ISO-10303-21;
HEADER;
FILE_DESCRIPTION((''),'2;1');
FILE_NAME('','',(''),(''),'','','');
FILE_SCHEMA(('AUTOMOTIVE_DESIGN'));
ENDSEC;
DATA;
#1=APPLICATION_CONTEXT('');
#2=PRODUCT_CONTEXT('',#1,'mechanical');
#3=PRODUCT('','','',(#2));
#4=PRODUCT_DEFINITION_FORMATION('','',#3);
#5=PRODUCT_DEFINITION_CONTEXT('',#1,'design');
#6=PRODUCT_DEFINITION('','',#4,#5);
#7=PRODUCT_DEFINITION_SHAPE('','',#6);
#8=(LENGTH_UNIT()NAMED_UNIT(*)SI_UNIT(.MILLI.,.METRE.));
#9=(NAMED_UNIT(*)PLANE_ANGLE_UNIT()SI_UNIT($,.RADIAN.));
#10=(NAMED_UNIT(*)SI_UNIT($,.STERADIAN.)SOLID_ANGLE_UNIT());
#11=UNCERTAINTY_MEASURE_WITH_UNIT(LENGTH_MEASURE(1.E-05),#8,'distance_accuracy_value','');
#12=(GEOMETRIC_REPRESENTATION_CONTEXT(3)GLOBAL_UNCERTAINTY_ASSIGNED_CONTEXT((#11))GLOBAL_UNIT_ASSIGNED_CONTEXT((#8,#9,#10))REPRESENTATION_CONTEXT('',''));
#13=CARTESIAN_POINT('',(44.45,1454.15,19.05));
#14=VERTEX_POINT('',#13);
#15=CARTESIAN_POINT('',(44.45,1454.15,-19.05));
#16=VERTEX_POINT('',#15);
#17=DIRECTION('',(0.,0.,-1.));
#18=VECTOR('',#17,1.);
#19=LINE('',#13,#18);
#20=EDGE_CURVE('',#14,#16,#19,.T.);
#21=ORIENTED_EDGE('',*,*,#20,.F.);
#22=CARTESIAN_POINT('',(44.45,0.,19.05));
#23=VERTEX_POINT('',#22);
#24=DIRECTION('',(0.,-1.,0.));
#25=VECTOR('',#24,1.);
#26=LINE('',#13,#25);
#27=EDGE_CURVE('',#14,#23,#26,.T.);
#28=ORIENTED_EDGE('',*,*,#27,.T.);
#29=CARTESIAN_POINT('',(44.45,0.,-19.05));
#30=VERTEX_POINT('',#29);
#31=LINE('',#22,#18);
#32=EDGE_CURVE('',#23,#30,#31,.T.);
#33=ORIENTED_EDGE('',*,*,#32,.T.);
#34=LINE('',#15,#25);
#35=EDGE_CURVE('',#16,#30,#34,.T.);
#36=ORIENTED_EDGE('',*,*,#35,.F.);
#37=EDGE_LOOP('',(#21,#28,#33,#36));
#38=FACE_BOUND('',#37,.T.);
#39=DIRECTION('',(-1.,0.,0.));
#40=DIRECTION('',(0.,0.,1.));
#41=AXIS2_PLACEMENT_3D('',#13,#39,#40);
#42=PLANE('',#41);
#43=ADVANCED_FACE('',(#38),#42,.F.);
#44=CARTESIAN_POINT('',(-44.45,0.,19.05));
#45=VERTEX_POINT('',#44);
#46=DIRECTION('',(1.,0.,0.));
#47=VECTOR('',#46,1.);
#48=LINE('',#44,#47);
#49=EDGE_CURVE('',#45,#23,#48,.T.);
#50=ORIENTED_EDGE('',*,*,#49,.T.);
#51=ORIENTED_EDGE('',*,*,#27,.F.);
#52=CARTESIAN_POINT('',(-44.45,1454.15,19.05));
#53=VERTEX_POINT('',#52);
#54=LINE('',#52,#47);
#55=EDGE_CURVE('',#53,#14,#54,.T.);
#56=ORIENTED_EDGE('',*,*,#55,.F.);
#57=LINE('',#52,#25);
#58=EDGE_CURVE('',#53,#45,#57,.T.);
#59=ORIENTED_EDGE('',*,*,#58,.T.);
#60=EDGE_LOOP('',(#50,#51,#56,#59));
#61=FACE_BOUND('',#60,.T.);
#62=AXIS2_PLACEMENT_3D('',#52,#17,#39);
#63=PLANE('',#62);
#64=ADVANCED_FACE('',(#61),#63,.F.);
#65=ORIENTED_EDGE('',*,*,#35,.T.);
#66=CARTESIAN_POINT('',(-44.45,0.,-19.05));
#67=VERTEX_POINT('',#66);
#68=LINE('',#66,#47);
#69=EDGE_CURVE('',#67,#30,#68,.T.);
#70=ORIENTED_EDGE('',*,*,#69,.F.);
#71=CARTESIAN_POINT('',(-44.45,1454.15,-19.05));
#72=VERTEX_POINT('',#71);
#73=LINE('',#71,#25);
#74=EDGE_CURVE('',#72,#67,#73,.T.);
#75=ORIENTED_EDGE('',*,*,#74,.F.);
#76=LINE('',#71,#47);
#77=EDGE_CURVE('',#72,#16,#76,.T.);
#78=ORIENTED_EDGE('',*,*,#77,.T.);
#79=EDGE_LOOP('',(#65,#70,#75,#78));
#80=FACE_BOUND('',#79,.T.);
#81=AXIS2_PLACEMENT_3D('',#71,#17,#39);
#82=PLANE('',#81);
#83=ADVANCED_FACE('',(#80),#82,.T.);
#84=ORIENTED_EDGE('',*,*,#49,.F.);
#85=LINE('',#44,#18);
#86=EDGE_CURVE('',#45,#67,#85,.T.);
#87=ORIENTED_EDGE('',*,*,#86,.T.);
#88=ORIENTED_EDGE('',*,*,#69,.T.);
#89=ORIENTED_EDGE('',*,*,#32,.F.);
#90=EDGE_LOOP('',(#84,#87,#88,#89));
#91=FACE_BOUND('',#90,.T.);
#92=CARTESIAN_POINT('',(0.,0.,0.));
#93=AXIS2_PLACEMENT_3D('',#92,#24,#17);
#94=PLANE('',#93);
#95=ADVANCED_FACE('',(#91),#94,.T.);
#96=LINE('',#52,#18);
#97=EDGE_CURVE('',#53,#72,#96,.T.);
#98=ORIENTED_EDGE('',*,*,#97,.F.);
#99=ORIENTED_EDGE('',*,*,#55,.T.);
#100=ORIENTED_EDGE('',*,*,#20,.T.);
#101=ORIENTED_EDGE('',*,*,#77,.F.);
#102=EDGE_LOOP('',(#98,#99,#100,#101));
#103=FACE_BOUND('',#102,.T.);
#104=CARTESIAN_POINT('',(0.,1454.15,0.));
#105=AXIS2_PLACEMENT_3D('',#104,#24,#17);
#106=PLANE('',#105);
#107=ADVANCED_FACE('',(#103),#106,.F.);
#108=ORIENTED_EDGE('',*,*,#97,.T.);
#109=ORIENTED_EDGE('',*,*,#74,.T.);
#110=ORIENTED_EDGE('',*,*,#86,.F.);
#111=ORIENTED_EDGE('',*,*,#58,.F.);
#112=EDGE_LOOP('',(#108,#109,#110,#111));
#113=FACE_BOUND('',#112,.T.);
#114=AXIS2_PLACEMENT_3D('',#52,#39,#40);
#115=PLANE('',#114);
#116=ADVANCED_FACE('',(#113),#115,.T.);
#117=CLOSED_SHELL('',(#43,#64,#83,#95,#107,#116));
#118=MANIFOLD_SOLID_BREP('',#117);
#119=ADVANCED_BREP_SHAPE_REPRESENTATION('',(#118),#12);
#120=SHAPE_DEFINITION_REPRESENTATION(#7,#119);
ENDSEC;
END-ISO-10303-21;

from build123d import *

# Parameters (mm, degrees)
SKETCH1_W           = 88.9
SKETCH1_H           = 38.1
BOSS_EXTRUDE1_DEPTH = 1454.15


with BuildPart() as part:
    # Sketch1 → Boss-Extrude1 (new body)
    with BuildSketch(Plane(origin=(0, 0, 0), x_dir=(1, 0, 0), z_dir=(0, 1, 0))):
        Rectangle(SKETCH1_W, SKETCH1_H)
    extrude(amount=BOSS_EXTRUDE1_DEPTH)


solid = part.part
